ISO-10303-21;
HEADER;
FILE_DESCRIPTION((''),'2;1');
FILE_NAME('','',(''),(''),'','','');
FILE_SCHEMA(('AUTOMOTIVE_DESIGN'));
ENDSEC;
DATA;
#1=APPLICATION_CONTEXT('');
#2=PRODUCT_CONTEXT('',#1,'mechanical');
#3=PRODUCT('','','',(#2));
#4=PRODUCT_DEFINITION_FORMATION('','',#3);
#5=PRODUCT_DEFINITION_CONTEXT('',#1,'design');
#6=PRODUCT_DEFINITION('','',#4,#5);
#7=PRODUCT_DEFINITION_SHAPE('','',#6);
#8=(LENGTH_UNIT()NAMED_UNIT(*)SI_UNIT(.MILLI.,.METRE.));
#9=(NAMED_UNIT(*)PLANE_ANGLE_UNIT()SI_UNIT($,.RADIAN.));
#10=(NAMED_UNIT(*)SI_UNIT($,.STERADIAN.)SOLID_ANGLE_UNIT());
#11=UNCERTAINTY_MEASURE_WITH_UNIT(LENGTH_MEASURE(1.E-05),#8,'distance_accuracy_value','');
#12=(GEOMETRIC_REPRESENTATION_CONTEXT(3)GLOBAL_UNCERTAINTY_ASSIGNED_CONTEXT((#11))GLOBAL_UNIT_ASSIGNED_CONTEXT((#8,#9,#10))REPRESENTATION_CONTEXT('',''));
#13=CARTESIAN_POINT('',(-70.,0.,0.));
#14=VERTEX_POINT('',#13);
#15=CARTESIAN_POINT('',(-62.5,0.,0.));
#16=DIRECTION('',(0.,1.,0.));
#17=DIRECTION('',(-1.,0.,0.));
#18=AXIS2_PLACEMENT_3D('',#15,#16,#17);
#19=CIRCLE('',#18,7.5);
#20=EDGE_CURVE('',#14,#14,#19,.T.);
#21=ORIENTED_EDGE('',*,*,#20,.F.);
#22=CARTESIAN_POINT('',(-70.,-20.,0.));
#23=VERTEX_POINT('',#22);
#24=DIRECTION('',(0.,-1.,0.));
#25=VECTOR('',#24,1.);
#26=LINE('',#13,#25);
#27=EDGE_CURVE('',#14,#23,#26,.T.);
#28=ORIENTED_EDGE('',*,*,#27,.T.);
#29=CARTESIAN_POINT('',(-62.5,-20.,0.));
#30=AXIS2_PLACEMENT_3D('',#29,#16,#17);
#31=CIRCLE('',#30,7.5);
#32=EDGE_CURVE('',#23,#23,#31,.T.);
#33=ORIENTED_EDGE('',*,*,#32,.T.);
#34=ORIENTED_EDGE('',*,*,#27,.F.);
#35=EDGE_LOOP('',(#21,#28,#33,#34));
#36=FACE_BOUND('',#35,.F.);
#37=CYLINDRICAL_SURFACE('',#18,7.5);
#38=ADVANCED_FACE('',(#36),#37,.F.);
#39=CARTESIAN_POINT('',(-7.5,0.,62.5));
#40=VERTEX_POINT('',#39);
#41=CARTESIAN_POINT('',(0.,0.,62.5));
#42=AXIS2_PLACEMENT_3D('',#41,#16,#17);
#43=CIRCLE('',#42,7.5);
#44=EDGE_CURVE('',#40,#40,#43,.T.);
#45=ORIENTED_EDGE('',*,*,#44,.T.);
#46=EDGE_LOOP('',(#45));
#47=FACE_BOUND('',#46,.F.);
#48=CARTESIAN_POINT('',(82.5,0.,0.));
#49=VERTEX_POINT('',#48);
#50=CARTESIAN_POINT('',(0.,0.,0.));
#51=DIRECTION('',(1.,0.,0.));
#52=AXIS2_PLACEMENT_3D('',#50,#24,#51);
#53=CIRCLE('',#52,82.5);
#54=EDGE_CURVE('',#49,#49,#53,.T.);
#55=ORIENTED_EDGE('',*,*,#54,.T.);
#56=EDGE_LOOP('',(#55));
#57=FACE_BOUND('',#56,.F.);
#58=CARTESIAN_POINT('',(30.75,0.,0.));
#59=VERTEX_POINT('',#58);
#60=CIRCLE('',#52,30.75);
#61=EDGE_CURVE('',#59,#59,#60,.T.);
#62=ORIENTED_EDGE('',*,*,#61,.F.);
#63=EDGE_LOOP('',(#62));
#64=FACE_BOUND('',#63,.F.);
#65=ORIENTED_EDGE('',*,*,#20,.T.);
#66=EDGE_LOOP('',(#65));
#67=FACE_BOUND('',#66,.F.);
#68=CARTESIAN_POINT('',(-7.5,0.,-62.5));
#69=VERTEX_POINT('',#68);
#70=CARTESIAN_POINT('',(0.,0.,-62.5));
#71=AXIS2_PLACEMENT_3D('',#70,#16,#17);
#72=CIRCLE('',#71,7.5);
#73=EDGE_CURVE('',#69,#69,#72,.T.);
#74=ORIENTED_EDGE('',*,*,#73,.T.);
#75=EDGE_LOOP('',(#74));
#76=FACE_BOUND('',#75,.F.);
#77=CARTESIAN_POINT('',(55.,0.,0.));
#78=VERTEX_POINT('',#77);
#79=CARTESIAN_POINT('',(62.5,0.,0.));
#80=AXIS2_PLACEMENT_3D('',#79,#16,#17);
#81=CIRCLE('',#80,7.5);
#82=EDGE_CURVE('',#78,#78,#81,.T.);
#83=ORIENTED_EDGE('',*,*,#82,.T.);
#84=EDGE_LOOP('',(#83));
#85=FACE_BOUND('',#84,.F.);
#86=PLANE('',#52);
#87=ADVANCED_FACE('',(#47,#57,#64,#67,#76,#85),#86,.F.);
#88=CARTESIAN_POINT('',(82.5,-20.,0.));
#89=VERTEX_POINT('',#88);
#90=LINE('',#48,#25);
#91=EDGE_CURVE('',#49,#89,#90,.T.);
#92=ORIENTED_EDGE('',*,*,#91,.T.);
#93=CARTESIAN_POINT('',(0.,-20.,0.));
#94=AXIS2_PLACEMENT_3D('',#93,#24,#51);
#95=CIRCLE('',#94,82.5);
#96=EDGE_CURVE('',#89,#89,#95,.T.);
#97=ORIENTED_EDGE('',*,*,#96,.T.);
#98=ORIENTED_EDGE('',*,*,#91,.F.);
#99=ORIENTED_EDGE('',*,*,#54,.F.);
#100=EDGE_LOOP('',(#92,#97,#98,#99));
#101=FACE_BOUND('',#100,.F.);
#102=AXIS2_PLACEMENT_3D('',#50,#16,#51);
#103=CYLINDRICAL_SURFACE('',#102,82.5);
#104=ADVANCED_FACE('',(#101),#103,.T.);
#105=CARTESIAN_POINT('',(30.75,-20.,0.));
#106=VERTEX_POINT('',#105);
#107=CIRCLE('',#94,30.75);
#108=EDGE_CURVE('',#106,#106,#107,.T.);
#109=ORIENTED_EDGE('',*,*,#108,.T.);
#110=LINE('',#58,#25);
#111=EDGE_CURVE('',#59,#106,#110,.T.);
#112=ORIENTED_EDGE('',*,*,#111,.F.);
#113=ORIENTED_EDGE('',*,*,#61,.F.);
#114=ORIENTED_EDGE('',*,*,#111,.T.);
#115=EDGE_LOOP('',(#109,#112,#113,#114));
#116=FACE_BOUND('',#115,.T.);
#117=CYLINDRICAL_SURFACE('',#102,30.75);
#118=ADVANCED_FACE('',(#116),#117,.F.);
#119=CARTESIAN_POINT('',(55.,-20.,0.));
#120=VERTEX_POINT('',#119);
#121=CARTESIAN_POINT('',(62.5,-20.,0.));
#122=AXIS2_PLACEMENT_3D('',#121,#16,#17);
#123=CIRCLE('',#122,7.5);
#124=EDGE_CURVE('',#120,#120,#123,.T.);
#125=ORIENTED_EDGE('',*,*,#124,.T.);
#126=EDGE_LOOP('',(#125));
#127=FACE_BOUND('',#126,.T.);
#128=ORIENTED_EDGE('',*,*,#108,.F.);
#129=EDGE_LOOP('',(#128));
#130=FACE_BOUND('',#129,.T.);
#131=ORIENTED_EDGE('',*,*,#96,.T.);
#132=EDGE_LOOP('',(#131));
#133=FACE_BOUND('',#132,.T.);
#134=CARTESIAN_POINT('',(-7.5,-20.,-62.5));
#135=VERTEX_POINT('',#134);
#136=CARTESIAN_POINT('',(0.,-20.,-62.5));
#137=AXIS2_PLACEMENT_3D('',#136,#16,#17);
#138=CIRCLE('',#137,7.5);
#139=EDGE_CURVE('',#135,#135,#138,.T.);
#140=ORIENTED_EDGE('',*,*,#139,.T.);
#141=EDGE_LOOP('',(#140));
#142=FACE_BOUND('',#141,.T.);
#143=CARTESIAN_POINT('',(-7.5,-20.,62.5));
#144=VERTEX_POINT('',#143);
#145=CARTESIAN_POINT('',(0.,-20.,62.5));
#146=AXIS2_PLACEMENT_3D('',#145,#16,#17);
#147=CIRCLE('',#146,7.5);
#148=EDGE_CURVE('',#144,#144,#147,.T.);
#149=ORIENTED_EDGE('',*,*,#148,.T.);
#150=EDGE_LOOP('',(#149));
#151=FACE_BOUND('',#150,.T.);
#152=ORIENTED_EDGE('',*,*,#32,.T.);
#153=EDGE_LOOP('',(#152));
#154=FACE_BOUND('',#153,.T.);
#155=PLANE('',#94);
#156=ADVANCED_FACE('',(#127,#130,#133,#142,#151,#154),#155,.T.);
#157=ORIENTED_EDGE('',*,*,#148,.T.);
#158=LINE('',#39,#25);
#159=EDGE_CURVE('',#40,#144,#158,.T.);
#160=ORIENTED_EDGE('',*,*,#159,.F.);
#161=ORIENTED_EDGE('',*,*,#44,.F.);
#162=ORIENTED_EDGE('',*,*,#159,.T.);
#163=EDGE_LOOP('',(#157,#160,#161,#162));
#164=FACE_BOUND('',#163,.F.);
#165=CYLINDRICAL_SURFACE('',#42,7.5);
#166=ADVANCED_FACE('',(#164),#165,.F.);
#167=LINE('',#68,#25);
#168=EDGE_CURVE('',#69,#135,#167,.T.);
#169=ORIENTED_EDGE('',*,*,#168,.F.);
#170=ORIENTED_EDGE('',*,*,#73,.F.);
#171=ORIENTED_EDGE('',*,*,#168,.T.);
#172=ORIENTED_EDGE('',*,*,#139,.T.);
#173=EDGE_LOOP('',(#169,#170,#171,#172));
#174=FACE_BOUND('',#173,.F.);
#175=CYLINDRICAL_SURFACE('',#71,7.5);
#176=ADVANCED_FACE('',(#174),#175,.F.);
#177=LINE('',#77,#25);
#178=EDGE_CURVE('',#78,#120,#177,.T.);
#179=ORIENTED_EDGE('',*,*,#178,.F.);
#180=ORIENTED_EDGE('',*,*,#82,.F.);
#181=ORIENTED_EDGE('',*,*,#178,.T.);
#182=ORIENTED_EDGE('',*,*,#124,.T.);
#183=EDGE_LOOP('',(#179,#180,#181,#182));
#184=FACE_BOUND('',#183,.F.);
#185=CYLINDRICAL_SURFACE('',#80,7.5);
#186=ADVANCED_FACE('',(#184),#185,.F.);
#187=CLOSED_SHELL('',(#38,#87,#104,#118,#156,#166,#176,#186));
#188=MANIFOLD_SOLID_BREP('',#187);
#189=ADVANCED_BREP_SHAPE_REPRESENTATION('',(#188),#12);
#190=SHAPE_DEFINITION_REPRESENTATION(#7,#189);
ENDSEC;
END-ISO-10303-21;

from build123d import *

# Parameters (mm, degrees)
F0_R     = 82.5
F0_R_2   = 30.75
F1_DEPTH = 20
F2_R     = 7.5
F3_DEPTH = 20.001


with BuildPart() as f1:
    # F0 (on Front) → F1 (new body)
    with BuildSketch(Plane.XZ):
        Circle(F0_R)
        Circle(F0_R_2, mode=Mode.SUBTRACT)
    extrude(amount=F1_DEPTH)

    # F2 (on face) → F3 (cut, through all)
    with BuildSketch(Plane(origin=(0, 0, 0), x_dir=(-1, 0, 0), z_dir=(0, 1, 0))):
        with Locations((0, -62.5)):
            Circle(F2_R)
        with Locations((62.5, 0)):
            Circle(F2_R)
        with Locations((0, 62.5)):
            Circle(F2_R)
        with Locations((-62.5, 0)):
            Circle(F2_R)
    extrude(amount=-F3_DEPTH, mode=Mode.SUBTRACT)


solid = f1.part
